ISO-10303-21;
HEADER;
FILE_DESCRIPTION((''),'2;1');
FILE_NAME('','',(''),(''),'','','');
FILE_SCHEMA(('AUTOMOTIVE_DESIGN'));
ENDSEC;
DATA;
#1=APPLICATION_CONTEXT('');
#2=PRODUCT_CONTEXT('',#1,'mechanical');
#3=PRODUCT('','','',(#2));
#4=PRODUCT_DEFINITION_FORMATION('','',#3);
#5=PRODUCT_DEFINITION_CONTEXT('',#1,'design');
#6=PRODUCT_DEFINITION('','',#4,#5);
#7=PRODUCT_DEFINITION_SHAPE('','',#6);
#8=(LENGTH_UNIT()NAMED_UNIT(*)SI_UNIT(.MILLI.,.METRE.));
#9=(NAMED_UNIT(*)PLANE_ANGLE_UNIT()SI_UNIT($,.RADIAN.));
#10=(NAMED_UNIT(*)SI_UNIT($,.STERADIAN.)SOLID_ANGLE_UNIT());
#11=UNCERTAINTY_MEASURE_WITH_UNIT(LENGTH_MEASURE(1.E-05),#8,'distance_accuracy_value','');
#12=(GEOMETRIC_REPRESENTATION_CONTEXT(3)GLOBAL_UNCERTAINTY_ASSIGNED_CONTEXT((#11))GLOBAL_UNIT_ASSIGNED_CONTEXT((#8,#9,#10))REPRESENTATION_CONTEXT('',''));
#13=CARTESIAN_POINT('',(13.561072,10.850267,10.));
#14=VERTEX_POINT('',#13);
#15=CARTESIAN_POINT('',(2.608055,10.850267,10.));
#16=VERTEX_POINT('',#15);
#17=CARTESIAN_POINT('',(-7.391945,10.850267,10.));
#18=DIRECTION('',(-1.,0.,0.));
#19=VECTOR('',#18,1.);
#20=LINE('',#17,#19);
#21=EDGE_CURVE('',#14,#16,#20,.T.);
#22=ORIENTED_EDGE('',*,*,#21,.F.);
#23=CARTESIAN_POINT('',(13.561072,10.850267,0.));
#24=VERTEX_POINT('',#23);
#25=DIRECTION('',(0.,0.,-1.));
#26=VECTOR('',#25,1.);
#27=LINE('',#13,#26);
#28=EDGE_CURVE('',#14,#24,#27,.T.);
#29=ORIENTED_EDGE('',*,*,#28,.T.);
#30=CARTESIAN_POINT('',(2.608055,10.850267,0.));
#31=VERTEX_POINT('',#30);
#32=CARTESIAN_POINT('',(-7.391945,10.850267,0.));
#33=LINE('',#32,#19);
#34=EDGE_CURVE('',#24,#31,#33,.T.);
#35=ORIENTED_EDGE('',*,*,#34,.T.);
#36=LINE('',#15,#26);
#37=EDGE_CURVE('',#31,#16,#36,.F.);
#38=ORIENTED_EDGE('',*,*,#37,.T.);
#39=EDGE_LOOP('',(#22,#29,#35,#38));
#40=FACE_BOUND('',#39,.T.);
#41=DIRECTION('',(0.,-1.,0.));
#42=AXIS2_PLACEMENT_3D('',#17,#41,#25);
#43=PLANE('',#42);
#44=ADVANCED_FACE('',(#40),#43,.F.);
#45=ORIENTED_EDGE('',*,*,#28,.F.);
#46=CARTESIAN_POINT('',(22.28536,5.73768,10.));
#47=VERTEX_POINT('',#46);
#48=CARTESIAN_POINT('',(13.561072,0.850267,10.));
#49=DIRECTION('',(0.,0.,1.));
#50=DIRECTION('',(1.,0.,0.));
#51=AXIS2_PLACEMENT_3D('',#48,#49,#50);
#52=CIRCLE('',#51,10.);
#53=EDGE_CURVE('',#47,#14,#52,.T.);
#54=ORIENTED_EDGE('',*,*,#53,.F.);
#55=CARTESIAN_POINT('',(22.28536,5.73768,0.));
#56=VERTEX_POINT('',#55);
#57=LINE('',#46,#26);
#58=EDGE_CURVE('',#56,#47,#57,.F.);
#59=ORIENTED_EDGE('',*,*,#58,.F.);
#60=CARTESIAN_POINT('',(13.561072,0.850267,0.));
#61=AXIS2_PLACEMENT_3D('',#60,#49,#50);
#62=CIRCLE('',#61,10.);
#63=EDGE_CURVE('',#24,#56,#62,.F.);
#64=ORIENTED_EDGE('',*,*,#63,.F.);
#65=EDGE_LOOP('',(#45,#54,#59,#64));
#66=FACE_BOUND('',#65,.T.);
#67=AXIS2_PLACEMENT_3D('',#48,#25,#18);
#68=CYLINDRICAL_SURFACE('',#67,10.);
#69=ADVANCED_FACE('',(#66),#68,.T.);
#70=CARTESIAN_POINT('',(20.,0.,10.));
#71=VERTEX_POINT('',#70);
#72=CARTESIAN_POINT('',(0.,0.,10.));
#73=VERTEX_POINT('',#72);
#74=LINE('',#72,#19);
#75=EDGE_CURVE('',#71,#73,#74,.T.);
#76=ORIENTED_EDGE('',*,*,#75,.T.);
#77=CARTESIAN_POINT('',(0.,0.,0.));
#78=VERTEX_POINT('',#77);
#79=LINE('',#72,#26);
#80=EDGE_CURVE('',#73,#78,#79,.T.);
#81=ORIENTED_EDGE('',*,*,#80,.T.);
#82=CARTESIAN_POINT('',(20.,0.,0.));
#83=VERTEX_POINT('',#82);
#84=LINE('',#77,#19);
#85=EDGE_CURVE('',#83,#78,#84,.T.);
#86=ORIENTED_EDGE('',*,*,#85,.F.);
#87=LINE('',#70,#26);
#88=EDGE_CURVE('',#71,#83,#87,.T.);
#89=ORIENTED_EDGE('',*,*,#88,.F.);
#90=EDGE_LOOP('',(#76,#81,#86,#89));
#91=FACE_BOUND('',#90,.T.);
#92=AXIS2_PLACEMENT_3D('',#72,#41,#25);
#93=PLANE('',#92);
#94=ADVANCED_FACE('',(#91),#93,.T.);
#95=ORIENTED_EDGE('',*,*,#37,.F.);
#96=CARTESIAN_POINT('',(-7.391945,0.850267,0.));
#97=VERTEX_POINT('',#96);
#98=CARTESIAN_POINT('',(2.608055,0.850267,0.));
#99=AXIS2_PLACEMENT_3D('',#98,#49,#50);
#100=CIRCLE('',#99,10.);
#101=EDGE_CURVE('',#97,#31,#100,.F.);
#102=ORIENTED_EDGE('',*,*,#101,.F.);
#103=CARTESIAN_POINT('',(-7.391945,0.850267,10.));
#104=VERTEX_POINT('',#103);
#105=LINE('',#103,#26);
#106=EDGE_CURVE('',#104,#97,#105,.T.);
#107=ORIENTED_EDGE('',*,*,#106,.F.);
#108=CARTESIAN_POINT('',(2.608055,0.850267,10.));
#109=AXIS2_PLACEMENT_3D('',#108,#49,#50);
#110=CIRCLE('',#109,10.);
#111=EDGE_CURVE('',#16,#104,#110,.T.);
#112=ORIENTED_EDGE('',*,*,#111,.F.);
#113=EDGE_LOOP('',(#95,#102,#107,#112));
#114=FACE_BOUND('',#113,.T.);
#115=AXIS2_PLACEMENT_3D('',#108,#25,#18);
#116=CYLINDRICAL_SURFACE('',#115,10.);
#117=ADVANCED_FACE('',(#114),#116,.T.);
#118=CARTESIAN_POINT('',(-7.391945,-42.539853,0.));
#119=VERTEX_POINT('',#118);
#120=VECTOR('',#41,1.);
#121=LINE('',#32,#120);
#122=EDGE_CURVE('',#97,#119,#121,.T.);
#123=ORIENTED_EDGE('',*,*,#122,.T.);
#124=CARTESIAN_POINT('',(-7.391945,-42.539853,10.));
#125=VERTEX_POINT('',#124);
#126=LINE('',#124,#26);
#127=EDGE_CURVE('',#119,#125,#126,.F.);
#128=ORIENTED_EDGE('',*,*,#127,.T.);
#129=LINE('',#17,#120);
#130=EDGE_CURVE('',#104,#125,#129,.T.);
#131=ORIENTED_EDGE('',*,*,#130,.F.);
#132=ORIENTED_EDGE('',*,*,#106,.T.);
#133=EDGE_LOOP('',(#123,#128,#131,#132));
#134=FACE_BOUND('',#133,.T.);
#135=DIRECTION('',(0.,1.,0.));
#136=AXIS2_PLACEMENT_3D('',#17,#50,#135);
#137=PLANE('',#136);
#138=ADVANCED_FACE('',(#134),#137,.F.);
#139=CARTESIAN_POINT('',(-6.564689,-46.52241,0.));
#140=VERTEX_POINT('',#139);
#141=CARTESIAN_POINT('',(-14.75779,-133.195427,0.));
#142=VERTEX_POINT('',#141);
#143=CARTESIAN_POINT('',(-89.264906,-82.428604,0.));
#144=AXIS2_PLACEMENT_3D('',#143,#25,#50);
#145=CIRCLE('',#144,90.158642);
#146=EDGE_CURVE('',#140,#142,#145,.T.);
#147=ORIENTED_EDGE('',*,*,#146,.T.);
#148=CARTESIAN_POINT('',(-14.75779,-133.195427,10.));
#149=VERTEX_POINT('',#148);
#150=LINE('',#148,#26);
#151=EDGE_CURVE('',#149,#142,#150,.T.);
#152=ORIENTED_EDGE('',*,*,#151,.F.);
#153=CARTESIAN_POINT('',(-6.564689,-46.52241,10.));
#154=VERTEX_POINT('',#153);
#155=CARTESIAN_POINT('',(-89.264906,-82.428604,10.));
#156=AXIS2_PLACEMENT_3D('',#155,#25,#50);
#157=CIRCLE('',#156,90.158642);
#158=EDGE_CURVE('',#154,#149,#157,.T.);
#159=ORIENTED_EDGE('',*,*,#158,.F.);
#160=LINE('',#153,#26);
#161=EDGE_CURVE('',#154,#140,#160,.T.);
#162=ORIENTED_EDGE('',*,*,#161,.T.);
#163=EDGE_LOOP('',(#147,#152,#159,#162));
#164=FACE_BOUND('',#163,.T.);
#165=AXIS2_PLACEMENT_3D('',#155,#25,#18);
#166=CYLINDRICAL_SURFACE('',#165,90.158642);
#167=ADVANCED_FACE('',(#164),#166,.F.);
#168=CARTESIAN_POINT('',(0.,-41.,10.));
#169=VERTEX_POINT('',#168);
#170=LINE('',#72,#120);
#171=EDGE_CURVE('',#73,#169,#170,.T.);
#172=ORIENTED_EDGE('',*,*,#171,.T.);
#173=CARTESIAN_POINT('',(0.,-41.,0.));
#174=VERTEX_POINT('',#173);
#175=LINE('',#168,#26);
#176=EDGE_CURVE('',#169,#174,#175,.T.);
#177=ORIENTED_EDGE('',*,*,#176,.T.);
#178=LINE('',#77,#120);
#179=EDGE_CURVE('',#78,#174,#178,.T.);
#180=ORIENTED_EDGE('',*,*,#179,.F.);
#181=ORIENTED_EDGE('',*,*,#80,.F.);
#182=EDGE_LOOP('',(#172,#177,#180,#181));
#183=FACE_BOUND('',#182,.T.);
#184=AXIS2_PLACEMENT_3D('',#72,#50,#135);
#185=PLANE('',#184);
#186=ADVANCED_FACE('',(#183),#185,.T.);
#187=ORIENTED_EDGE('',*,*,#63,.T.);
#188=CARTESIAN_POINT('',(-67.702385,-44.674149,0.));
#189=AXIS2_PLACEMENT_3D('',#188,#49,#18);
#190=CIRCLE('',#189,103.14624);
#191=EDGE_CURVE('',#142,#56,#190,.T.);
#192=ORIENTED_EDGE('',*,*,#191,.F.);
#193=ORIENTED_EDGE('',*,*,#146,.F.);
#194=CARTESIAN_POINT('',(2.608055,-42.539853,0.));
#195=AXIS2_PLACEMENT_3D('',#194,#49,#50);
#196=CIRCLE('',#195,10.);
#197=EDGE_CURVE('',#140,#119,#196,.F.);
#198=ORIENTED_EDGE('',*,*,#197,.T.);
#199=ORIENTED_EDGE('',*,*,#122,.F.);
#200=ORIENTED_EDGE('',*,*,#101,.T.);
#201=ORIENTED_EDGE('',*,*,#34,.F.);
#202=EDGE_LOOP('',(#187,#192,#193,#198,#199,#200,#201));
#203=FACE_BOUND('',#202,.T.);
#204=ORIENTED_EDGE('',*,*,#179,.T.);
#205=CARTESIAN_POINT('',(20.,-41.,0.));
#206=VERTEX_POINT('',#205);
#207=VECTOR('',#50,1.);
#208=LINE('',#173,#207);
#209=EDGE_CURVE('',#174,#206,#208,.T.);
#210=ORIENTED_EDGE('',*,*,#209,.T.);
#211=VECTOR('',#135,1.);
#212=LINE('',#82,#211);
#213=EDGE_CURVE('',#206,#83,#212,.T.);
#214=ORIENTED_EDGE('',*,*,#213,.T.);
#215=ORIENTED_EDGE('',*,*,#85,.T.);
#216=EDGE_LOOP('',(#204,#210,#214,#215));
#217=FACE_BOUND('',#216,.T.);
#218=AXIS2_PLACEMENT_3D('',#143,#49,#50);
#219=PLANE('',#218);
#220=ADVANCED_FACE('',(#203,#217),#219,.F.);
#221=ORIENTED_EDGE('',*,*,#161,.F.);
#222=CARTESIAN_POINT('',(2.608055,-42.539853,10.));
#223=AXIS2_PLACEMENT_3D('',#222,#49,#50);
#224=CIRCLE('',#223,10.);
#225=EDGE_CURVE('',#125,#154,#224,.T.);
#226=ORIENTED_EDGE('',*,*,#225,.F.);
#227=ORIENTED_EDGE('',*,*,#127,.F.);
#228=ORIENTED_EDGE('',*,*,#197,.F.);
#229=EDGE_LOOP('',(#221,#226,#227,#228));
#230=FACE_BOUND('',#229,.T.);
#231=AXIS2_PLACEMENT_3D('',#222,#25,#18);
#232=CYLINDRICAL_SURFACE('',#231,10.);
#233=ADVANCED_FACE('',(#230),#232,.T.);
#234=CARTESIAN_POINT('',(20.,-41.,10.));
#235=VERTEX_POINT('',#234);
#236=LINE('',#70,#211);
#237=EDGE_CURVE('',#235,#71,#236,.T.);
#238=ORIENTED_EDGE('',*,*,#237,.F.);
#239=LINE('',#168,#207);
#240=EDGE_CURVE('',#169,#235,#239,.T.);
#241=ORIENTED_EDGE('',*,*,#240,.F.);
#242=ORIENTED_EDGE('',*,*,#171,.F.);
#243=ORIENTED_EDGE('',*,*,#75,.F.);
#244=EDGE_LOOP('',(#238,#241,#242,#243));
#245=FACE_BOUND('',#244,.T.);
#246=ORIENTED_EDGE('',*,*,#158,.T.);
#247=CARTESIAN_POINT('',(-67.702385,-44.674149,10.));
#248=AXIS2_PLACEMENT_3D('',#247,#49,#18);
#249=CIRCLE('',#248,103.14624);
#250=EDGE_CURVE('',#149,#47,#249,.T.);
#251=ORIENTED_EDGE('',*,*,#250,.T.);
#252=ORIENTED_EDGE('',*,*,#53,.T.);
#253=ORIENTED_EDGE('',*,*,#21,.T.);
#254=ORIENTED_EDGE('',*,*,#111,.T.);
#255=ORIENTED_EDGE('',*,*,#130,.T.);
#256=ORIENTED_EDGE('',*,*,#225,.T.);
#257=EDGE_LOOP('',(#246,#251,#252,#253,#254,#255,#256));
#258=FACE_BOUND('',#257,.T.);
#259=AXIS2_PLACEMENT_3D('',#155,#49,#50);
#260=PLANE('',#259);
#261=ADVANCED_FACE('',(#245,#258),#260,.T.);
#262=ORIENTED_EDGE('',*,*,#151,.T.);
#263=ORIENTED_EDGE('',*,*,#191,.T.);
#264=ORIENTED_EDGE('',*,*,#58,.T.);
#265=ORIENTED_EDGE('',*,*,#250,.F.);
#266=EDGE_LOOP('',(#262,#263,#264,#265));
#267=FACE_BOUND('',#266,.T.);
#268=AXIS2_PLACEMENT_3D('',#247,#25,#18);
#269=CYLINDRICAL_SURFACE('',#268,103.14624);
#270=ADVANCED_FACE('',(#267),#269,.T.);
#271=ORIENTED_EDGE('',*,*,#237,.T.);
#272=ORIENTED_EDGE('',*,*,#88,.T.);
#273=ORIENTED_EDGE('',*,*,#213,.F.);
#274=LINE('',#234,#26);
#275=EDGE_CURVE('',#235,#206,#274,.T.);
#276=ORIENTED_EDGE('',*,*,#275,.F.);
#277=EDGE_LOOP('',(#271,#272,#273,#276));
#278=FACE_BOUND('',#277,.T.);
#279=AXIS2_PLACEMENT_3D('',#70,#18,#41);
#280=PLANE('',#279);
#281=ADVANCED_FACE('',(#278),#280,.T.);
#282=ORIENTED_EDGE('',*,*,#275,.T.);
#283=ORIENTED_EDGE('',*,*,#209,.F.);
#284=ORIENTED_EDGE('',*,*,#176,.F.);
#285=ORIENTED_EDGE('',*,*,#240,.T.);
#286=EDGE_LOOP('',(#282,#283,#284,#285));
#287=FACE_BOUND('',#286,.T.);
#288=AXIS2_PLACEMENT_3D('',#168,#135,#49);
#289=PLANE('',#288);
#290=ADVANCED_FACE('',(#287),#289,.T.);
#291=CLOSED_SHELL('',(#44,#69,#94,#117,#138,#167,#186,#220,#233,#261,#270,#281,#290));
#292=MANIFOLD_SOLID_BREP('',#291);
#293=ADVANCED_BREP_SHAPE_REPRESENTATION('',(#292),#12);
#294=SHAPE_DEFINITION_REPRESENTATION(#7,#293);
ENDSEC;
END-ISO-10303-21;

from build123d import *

# Parameters (mm, degrees)
ESQUISSE1_W        = 20
ESQUISSE1_H        = 41
BOSS_EXTRU_1_DEPTH = 10
CONG_1_R           = 10
CONG_2_R           = 10


with BuildPart() as part:
    # Esquisse1 → Boss.-Extru.1 (new body)
    with BuildSketch(Plane.XY):
        with BuildLine():
            Line((-7.391944515, 10.850266565), (19.223939946, 10.850266565))
            ThreePointArc((19.223939946, 10.850266565), (32.688147419, -68.35721731), (-14.757789944, -133.195426819))
            ThreePointArc((-14.757789944, -133.195426819), (0.583223132, -89.904856397), (-7.391944515, -44.674149232))
            Line((-7.391944515, -44.674149232), (-7.391944515, 10.850266565))
        make_face()
        with Locations((10, -20.5)):
            Rectangle(ESQUISSE1_W, ESQUISSE1_H, mode=Mode.SUBTRACT)
    extrude(amount=BOSS_EXTRU_1_DEPTH)

    # Congé1
    cong_1_edges = [part.edges().sort_by_distance(p)[0] for p in [
        (19.223939946, 10.850266565, 5),
    ]]
    fillet(cong_1_edges, radius=CONG_1_R)

    # Congé2
    cong_2_edges = [part.edges().sort_by_distance(p)[0] for p in [
        (-7.391944515, -44.674149232, 5),
        (-7.391944515, 10.850266565, 5),
    ]]
    fillet(cong_2_edges, radius=CONG_2_R)


solid = part.part
